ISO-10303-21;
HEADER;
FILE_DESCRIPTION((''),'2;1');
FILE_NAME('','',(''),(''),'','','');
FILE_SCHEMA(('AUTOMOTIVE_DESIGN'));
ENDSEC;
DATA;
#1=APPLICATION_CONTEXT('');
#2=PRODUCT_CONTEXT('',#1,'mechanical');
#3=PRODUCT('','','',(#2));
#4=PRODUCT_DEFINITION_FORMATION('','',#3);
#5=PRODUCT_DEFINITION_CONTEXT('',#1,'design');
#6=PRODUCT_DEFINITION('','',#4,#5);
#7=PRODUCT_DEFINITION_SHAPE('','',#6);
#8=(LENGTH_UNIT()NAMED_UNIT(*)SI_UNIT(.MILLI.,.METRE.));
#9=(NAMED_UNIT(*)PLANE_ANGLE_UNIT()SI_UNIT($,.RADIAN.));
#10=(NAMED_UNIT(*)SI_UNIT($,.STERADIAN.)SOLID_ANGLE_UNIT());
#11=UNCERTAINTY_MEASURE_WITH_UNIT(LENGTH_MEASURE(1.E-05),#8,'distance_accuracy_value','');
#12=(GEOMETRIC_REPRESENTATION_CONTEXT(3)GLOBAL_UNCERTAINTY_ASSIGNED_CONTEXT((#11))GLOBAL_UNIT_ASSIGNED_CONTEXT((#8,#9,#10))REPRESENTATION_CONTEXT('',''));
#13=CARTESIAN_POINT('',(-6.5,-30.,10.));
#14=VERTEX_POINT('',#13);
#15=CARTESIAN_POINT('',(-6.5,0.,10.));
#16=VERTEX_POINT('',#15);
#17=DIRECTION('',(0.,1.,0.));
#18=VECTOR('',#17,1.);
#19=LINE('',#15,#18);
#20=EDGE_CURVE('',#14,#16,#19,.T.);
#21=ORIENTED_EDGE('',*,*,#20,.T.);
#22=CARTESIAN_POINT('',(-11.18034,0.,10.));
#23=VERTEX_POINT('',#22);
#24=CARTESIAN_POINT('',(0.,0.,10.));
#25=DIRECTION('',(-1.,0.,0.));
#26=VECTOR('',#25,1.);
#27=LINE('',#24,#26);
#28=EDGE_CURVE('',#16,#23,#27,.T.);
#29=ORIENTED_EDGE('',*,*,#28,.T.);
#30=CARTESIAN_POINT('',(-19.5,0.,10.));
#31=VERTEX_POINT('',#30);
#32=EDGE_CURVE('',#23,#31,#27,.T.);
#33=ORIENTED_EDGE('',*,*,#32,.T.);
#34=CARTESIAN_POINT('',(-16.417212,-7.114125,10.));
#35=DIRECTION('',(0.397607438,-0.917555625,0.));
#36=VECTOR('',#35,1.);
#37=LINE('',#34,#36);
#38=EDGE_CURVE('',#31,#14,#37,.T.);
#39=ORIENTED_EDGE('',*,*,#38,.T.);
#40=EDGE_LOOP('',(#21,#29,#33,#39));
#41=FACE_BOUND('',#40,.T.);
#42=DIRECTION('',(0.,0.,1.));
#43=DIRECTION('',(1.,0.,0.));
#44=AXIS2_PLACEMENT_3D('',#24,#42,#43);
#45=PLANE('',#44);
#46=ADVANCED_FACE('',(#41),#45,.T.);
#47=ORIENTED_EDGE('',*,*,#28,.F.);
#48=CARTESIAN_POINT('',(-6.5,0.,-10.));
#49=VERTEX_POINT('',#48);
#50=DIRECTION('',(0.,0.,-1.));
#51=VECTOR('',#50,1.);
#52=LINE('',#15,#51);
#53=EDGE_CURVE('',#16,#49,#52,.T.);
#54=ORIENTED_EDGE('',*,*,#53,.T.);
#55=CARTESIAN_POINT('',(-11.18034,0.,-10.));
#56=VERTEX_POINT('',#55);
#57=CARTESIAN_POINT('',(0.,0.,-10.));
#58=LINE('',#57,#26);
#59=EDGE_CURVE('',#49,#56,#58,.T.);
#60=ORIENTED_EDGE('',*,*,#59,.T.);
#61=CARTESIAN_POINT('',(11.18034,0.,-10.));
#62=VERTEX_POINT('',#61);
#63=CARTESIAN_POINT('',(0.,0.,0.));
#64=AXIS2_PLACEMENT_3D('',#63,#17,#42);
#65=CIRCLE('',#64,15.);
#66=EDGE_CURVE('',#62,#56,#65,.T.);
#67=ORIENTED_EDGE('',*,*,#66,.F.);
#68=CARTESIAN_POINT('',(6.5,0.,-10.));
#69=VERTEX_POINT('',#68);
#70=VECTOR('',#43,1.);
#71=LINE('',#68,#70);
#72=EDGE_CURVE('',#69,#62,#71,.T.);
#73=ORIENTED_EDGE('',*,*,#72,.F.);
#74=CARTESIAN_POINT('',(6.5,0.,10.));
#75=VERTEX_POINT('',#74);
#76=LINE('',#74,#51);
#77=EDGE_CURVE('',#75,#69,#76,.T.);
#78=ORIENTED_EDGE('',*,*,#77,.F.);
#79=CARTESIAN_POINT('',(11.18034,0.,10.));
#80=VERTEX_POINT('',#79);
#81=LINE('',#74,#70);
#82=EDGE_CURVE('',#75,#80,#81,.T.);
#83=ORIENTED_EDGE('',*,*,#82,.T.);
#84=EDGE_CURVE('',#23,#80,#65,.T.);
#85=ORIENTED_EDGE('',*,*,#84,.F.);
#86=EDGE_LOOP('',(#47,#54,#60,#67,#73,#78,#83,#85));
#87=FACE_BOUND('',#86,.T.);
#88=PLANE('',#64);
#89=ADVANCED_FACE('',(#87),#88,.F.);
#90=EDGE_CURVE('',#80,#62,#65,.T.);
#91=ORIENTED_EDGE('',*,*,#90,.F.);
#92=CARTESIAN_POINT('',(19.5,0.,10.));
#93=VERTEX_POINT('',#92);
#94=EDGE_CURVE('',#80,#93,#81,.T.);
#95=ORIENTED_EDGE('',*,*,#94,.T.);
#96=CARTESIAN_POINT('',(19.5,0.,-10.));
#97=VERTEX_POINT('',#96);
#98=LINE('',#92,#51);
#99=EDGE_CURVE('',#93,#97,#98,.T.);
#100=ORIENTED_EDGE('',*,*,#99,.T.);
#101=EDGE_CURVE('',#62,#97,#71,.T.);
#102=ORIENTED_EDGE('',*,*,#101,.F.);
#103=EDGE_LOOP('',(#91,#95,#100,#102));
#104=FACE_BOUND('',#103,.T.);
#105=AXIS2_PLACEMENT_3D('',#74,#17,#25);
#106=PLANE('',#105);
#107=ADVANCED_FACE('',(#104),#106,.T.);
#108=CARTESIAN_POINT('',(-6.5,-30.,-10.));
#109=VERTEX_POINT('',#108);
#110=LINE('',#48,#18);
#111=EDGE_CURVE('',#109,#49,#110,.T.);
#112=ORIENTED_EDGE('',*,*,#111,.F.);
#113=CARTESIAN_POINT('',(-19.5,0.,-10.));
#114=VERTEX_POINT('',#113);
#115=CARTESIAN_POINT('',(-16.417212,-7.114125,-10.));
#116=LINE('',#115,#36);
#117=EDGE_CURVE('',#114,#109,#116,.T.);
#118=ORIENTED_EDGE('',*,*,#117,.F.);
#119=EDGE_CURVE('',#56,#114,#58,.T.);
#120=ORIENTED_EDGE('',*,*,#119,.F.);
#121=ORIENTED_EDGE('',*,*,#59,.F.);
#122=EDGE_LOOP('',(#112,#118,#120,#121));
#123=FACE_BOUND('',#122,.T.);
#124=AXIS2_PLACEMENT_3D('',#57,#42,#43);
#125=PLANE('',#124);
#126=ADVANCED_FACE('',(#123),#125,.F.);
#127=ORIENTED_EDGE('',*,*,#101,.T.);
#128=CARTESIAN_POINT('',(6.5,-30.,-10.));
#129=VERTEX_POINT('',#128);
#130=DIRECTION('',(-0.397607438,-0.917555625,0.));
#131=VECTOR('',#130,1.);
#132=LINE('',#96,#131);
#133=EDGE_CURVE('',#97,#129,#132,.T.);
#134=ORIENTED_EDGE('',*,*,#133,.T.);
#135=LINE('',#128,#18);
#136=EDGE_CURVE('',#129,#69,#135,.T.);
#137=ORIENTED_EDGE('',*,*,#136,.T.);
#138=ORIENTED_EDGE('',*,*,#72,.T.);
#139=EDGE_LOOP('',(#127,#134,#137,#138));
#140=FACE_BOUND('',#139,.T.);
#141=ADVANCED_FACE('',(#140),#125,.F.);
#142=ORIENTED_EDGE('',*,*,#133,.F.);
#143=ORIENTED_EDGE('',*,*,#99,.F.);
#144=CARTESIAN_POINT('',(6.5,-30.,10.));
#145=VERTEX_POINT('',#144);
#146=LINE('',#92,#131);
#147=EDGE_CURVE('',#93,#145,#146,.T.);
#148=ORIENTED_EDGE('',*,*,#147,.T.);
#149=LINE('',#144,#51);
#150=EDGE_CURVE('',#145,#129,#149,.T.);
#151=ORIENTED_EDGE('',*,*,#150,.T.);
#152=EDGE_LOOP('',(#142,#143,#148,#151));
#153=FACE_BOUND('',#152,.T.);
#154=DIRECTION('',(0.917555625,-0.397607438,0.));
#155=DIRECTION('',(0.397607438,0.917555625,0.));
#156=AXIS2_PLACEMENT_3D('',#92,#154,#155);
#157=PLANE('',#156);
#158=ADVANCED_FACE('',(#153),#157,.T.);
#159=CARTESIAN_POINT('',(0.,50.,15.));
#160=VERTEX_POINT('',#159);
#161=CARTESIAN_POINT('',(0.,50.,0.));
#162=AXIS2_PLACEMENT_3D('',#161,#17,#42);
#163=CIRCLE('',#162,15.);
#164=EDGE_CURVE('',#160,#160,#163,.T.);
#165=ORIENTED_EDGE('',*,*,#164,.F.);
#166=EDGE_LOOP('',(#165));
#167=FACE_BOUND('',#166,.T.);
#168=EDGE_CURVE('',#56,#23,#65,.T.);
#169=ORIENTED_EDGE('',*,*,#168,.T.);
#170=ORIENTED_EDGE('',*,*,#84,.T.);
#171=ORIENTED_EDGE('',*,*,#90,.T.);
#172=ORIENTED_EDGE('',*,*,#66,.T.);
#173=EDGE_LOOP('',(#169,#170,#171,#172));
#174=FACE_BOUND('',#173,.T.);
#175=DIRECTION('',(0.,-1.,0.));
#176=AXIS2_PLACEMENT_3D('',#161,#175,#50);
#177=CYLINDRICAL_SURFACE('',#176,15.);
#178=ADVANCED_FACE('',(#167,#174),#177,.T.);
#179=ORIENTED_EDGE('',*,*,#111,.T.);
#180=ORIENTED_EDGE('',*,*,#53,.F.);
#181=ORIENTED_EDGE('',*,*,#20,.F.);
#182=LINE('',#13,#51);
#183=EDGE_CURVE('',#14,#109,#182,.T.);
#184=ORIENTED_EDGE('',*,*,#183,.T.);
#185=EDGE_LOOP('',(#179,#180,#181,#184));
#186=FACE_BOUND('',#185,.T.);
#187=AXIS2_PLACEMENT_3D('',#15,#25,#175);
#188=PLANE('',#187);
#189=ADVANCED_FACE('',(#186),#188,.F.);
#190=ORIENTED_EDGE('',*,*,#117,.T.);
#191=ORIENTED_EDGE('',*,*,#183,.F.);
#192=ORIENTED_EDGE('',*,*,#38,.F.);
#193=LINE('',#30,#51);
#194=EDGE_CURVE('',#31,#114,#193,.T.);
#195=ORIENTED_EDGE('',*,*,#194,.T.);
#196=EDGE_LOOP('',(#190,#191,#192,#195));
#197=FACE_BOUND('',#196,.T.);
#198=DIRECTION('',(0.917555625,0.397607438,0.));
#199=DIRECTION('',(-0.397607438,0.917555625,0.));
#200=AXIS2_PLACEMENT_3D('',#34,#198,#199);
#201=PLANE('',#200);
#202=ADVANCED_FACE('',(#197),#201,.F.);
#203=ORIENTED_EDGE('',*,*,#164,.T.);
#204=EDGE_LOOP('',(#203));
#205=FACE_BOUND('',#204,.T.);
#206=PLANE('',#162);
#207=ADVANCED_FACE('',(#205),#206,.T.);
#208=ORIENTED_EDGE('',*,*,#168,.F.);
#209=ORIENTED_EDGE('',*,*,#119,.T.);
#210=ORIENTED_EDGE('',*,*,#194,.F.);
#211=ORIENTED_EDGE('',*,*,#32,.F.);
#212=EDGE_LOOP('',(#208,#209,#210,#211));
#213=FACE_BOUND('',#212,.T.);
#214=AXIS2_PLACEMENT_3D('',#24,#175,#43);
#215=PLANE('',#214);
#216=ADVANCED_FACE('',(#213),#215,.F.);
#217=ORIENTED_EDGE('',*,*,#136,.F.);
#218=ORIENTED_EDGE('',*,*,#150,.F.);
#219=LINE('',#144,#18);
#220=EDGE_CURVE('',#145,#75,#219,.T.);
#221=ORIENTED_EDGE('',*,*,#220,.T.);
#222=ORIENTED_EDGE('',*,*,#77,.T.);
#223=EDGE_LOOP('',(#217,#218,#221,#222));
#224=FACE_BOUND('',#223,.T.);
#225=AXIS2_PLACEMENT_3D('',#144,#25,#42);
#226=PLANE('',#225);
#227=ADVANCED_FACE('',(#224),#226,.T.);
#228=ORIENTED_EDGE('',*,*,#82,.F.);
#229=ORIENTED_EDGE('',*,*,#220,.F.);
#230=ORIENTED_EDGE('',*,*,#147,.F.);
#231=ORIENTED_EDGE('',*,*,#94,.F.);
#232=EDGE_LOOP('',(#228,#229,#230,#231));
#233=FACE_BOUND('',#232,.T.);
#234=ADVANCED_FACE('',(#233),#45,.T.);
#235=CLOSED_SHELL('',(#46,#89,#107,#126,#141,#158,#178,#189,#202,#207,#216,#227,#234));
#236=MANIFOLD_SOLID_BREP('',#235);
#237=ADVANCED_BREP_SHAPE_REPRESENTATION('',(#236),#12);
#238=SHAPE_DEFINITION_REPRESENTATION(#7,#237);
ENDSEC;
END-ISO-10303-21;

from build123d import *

# Parameters (mm, degrees)
SKETCH_1_R      = 15
EXTRUDE_1_DEPTH = 50
EXTRUDE_5_DEPTH = 10


with BuildPart() as part:
    # 草图1 → 凸台-拉伸1 (new body)
    with BuildSketch(Plane(origin=(0, 0, 0), x_dir=(1, 0, 0), z_dir=(0, 1, 0))):
        Circle(SKETCH_1_R)
    extrude(amount=EXTRUDE_1_DEPTH)

    # 草图6 → 凸台-拉伸5 (add, symmetric)
    with BuildSketch(Plane.XY):
        Polygon((-19.5, 0), (-6.5, -30), (-6.5, 0), align=None)
        Polygon((6.5, -30), (6.5, 0), (19.5, 0), align=None)
    extrude(amount=EXTRUDE_5_DEPTH, both=True)


solid = part.part
